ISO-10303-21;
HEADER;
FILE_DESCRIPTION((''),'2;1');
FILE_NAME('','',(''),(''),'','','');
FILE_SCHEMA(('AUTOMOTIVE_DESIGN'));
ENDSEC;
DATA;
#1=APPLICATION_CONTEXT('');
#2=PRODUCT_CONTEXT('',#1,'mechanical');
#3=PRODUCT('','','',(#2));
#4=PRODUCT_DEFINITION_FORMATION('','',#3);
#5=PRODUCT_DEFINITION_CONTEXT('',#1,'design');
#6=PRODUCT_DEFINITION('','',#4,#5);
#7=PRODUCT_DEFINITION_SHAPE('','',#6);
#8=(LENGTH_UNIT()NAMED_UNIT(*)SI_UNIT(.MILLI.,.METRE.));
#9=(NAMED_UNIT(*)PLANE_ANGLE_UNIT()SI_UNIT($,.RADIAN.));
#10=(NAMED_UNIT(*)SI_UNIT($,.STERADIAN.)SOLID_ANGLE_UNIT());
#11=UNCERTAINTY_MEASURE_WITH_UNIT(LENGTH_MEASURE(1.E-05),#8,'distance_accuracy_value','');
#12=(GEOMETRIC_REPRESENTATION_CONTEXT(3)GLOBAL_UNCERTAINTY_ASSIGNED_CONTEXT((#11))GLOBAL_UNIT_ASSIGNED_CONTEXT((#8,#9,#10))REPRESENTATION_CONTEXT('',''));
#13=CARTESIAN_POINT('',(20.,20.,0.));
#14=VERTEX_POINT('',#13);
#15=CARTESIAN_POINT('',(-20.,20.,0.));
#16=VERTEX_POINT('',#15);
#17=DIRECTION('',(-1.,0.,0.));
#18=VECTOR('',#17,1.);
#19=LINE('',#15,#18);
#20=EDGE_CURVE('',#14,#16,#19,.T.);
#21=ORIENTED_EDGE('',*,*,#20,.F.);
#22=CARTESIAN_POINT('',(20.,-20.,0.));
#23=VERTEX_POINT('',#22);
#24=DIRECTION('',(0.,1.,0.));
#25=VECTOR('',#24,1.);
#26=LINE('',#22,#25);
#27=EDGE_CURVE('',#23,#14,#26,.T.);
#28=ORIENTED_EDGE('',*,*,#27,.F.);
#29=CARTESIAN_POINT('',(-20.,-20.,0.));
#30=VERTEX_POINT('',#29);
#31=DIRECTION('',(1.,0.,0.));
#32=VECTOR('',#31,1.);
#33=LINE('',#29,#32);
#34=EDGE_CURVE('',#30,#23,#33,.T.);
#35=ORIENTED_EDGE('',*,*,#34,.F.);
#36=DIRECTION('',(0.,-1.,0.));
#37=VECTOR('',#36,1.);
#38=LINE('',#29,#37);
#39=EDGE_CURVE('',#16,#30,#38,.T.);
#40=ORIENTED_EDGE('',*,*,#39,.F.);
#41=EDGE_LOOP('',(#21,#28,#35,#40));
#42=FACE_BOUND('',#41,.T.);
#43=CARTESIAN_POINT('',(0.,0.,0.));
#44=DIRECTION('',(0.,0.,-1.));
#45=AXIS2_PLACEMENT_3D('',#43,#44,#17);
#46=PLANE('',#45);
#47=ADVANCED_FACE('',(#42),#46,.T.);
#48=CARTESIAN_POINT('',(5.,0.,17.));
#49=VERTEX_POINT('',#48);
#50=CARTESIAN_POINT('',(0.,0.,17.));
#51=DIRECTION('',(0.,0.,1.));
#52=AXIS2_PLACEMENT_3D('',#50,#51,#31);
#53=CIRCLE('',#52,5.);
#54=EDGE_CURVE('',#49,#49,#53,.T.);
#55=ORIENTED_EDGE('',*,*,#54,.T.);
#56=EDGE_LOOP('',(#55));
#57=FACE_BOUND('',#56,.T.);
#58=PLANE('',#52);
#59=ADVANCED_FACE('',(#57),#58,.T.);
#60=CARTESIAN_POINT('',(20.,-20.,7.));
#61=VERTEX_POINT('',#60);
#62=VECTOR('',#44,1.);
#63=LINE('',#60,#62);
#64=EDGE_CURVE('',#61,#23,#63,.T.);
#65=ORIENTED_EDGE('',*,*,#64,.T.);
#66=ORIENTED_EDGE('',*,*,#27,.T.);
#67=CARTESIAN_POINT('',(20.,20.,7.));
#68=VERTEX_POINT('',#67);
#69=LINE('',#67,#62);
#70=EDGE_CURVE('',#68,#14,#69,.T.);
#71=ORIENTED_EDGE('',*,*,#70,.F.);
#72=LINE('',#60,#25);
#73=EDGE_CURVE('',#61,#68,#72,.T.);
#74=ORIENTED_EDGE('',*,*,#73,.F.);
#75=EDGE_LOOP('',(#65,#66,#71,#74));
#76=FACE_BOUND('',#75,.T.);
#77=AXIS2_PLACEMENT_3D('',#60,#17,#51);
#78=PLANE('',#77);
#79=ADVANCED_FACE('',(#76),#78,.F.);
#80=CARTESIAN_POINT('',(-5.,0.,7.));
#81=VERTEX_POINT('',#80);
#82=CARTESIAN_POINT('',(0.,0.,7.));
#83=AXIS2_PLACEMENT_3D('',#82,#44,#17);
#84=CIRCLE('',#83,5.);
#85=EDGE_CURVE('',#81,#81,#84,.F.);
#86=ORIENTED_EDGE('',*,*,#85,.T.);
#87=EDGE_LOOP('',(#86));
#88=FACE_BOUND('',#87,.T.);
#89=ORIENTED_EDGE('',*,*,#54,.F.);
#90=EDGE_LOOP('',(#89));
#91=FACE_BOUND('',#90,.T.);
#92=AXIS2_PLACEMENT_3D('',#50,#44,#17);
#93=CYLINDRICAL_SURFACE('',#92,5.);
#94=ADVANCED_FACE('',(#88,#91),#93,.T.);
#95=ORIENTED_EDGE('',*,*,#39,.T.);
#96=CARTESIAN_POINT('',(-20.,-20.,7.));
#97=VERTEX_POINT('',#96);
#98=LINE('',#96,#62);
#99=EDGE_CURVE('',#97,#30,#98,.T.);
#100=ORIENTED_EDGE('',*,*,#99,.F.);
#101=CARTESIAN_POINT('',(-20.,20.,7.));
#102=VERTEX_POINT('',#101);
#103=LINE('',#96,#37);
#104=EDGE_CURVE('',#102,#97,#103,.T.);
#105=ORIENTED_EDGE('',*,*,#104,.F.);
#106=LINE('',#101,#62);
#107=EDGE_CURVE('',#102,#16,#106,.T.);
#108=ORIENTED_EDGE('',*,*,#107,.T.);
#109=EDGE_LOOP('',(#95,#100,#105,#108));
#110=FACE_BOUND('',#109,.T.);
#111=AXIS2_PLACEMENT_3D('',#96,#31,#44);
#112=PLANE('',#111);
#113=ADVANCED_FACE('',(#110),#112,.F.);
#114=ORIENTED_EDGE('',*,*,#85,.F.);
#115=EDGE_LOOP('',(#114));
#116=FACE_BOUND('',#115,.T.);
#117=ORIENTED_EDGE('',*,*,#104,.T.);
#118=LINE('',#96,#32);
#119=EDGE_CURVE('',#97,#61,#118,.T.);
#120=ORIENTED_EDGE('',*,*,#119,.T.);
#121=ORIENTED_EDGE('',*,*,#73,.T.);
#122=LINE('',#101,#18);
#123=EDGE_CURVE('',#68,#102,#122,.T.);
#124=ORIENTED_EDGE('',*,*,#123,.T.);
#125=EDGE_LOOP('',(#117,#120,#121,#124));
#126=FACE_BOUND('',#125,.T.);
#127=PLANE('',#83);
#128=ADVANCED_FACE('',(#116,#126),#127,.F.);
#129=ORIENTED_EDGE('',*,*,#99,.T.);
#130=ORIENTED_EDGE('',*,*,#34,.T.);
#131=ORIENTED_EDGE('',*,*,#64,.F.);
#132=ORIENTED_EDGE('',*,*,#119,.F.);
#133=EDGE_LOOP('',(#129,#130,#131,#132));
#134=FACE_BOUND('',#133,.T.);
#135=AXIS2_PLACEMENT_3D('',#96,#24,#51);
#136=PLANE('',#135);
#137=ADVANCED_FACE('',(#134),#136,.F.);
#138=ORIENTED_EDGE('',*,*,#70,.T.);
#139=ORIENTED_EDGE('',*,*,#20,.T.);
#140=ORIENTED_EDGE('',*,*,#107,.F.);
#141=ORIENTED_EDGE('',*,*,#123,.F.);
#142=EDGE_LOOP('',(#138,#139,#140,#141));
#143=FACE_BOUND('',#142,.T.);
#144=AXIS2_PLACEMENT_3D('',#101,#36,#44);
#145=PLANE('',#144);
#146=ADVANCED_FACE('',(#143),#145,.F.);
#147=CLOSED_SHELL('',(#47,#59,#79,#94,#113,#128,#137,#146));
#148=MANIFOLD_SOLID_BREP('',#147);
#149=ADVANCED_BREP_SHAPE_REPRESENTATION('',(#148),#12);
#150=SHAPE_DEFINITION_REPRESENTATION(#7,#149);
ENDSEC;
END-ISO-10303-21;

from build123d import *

# Parameters (mm, degrees)
ESQUISSE1_W        = 40
ESQUISSE1_H        = 40
BOSS_EXTRU_1_DEPTH = 7
ESQUISSE2_R        = 5
BOSS_EXTRU_2_DEPTH = 10


with BuildPart() as part:
    # Esquisse1 → Boss.-Extru.1 (new body)
    with BuildSketch(Plane.XY):
        Rectangle(ESQUISSE1_W, ESQUISSE1_H)
    extrude(amount=BOSS_EXTRU_1_DEPTH)

    # Esquisse2 → Boss.-Extru.2 (add)
    with BuildSketch(Plane.XY.offset(7)):
        Circle(ESQUISSE2_R)
    extrude(amount=BOSS_EXTRU_2_DEPTH)


solid = part.part
